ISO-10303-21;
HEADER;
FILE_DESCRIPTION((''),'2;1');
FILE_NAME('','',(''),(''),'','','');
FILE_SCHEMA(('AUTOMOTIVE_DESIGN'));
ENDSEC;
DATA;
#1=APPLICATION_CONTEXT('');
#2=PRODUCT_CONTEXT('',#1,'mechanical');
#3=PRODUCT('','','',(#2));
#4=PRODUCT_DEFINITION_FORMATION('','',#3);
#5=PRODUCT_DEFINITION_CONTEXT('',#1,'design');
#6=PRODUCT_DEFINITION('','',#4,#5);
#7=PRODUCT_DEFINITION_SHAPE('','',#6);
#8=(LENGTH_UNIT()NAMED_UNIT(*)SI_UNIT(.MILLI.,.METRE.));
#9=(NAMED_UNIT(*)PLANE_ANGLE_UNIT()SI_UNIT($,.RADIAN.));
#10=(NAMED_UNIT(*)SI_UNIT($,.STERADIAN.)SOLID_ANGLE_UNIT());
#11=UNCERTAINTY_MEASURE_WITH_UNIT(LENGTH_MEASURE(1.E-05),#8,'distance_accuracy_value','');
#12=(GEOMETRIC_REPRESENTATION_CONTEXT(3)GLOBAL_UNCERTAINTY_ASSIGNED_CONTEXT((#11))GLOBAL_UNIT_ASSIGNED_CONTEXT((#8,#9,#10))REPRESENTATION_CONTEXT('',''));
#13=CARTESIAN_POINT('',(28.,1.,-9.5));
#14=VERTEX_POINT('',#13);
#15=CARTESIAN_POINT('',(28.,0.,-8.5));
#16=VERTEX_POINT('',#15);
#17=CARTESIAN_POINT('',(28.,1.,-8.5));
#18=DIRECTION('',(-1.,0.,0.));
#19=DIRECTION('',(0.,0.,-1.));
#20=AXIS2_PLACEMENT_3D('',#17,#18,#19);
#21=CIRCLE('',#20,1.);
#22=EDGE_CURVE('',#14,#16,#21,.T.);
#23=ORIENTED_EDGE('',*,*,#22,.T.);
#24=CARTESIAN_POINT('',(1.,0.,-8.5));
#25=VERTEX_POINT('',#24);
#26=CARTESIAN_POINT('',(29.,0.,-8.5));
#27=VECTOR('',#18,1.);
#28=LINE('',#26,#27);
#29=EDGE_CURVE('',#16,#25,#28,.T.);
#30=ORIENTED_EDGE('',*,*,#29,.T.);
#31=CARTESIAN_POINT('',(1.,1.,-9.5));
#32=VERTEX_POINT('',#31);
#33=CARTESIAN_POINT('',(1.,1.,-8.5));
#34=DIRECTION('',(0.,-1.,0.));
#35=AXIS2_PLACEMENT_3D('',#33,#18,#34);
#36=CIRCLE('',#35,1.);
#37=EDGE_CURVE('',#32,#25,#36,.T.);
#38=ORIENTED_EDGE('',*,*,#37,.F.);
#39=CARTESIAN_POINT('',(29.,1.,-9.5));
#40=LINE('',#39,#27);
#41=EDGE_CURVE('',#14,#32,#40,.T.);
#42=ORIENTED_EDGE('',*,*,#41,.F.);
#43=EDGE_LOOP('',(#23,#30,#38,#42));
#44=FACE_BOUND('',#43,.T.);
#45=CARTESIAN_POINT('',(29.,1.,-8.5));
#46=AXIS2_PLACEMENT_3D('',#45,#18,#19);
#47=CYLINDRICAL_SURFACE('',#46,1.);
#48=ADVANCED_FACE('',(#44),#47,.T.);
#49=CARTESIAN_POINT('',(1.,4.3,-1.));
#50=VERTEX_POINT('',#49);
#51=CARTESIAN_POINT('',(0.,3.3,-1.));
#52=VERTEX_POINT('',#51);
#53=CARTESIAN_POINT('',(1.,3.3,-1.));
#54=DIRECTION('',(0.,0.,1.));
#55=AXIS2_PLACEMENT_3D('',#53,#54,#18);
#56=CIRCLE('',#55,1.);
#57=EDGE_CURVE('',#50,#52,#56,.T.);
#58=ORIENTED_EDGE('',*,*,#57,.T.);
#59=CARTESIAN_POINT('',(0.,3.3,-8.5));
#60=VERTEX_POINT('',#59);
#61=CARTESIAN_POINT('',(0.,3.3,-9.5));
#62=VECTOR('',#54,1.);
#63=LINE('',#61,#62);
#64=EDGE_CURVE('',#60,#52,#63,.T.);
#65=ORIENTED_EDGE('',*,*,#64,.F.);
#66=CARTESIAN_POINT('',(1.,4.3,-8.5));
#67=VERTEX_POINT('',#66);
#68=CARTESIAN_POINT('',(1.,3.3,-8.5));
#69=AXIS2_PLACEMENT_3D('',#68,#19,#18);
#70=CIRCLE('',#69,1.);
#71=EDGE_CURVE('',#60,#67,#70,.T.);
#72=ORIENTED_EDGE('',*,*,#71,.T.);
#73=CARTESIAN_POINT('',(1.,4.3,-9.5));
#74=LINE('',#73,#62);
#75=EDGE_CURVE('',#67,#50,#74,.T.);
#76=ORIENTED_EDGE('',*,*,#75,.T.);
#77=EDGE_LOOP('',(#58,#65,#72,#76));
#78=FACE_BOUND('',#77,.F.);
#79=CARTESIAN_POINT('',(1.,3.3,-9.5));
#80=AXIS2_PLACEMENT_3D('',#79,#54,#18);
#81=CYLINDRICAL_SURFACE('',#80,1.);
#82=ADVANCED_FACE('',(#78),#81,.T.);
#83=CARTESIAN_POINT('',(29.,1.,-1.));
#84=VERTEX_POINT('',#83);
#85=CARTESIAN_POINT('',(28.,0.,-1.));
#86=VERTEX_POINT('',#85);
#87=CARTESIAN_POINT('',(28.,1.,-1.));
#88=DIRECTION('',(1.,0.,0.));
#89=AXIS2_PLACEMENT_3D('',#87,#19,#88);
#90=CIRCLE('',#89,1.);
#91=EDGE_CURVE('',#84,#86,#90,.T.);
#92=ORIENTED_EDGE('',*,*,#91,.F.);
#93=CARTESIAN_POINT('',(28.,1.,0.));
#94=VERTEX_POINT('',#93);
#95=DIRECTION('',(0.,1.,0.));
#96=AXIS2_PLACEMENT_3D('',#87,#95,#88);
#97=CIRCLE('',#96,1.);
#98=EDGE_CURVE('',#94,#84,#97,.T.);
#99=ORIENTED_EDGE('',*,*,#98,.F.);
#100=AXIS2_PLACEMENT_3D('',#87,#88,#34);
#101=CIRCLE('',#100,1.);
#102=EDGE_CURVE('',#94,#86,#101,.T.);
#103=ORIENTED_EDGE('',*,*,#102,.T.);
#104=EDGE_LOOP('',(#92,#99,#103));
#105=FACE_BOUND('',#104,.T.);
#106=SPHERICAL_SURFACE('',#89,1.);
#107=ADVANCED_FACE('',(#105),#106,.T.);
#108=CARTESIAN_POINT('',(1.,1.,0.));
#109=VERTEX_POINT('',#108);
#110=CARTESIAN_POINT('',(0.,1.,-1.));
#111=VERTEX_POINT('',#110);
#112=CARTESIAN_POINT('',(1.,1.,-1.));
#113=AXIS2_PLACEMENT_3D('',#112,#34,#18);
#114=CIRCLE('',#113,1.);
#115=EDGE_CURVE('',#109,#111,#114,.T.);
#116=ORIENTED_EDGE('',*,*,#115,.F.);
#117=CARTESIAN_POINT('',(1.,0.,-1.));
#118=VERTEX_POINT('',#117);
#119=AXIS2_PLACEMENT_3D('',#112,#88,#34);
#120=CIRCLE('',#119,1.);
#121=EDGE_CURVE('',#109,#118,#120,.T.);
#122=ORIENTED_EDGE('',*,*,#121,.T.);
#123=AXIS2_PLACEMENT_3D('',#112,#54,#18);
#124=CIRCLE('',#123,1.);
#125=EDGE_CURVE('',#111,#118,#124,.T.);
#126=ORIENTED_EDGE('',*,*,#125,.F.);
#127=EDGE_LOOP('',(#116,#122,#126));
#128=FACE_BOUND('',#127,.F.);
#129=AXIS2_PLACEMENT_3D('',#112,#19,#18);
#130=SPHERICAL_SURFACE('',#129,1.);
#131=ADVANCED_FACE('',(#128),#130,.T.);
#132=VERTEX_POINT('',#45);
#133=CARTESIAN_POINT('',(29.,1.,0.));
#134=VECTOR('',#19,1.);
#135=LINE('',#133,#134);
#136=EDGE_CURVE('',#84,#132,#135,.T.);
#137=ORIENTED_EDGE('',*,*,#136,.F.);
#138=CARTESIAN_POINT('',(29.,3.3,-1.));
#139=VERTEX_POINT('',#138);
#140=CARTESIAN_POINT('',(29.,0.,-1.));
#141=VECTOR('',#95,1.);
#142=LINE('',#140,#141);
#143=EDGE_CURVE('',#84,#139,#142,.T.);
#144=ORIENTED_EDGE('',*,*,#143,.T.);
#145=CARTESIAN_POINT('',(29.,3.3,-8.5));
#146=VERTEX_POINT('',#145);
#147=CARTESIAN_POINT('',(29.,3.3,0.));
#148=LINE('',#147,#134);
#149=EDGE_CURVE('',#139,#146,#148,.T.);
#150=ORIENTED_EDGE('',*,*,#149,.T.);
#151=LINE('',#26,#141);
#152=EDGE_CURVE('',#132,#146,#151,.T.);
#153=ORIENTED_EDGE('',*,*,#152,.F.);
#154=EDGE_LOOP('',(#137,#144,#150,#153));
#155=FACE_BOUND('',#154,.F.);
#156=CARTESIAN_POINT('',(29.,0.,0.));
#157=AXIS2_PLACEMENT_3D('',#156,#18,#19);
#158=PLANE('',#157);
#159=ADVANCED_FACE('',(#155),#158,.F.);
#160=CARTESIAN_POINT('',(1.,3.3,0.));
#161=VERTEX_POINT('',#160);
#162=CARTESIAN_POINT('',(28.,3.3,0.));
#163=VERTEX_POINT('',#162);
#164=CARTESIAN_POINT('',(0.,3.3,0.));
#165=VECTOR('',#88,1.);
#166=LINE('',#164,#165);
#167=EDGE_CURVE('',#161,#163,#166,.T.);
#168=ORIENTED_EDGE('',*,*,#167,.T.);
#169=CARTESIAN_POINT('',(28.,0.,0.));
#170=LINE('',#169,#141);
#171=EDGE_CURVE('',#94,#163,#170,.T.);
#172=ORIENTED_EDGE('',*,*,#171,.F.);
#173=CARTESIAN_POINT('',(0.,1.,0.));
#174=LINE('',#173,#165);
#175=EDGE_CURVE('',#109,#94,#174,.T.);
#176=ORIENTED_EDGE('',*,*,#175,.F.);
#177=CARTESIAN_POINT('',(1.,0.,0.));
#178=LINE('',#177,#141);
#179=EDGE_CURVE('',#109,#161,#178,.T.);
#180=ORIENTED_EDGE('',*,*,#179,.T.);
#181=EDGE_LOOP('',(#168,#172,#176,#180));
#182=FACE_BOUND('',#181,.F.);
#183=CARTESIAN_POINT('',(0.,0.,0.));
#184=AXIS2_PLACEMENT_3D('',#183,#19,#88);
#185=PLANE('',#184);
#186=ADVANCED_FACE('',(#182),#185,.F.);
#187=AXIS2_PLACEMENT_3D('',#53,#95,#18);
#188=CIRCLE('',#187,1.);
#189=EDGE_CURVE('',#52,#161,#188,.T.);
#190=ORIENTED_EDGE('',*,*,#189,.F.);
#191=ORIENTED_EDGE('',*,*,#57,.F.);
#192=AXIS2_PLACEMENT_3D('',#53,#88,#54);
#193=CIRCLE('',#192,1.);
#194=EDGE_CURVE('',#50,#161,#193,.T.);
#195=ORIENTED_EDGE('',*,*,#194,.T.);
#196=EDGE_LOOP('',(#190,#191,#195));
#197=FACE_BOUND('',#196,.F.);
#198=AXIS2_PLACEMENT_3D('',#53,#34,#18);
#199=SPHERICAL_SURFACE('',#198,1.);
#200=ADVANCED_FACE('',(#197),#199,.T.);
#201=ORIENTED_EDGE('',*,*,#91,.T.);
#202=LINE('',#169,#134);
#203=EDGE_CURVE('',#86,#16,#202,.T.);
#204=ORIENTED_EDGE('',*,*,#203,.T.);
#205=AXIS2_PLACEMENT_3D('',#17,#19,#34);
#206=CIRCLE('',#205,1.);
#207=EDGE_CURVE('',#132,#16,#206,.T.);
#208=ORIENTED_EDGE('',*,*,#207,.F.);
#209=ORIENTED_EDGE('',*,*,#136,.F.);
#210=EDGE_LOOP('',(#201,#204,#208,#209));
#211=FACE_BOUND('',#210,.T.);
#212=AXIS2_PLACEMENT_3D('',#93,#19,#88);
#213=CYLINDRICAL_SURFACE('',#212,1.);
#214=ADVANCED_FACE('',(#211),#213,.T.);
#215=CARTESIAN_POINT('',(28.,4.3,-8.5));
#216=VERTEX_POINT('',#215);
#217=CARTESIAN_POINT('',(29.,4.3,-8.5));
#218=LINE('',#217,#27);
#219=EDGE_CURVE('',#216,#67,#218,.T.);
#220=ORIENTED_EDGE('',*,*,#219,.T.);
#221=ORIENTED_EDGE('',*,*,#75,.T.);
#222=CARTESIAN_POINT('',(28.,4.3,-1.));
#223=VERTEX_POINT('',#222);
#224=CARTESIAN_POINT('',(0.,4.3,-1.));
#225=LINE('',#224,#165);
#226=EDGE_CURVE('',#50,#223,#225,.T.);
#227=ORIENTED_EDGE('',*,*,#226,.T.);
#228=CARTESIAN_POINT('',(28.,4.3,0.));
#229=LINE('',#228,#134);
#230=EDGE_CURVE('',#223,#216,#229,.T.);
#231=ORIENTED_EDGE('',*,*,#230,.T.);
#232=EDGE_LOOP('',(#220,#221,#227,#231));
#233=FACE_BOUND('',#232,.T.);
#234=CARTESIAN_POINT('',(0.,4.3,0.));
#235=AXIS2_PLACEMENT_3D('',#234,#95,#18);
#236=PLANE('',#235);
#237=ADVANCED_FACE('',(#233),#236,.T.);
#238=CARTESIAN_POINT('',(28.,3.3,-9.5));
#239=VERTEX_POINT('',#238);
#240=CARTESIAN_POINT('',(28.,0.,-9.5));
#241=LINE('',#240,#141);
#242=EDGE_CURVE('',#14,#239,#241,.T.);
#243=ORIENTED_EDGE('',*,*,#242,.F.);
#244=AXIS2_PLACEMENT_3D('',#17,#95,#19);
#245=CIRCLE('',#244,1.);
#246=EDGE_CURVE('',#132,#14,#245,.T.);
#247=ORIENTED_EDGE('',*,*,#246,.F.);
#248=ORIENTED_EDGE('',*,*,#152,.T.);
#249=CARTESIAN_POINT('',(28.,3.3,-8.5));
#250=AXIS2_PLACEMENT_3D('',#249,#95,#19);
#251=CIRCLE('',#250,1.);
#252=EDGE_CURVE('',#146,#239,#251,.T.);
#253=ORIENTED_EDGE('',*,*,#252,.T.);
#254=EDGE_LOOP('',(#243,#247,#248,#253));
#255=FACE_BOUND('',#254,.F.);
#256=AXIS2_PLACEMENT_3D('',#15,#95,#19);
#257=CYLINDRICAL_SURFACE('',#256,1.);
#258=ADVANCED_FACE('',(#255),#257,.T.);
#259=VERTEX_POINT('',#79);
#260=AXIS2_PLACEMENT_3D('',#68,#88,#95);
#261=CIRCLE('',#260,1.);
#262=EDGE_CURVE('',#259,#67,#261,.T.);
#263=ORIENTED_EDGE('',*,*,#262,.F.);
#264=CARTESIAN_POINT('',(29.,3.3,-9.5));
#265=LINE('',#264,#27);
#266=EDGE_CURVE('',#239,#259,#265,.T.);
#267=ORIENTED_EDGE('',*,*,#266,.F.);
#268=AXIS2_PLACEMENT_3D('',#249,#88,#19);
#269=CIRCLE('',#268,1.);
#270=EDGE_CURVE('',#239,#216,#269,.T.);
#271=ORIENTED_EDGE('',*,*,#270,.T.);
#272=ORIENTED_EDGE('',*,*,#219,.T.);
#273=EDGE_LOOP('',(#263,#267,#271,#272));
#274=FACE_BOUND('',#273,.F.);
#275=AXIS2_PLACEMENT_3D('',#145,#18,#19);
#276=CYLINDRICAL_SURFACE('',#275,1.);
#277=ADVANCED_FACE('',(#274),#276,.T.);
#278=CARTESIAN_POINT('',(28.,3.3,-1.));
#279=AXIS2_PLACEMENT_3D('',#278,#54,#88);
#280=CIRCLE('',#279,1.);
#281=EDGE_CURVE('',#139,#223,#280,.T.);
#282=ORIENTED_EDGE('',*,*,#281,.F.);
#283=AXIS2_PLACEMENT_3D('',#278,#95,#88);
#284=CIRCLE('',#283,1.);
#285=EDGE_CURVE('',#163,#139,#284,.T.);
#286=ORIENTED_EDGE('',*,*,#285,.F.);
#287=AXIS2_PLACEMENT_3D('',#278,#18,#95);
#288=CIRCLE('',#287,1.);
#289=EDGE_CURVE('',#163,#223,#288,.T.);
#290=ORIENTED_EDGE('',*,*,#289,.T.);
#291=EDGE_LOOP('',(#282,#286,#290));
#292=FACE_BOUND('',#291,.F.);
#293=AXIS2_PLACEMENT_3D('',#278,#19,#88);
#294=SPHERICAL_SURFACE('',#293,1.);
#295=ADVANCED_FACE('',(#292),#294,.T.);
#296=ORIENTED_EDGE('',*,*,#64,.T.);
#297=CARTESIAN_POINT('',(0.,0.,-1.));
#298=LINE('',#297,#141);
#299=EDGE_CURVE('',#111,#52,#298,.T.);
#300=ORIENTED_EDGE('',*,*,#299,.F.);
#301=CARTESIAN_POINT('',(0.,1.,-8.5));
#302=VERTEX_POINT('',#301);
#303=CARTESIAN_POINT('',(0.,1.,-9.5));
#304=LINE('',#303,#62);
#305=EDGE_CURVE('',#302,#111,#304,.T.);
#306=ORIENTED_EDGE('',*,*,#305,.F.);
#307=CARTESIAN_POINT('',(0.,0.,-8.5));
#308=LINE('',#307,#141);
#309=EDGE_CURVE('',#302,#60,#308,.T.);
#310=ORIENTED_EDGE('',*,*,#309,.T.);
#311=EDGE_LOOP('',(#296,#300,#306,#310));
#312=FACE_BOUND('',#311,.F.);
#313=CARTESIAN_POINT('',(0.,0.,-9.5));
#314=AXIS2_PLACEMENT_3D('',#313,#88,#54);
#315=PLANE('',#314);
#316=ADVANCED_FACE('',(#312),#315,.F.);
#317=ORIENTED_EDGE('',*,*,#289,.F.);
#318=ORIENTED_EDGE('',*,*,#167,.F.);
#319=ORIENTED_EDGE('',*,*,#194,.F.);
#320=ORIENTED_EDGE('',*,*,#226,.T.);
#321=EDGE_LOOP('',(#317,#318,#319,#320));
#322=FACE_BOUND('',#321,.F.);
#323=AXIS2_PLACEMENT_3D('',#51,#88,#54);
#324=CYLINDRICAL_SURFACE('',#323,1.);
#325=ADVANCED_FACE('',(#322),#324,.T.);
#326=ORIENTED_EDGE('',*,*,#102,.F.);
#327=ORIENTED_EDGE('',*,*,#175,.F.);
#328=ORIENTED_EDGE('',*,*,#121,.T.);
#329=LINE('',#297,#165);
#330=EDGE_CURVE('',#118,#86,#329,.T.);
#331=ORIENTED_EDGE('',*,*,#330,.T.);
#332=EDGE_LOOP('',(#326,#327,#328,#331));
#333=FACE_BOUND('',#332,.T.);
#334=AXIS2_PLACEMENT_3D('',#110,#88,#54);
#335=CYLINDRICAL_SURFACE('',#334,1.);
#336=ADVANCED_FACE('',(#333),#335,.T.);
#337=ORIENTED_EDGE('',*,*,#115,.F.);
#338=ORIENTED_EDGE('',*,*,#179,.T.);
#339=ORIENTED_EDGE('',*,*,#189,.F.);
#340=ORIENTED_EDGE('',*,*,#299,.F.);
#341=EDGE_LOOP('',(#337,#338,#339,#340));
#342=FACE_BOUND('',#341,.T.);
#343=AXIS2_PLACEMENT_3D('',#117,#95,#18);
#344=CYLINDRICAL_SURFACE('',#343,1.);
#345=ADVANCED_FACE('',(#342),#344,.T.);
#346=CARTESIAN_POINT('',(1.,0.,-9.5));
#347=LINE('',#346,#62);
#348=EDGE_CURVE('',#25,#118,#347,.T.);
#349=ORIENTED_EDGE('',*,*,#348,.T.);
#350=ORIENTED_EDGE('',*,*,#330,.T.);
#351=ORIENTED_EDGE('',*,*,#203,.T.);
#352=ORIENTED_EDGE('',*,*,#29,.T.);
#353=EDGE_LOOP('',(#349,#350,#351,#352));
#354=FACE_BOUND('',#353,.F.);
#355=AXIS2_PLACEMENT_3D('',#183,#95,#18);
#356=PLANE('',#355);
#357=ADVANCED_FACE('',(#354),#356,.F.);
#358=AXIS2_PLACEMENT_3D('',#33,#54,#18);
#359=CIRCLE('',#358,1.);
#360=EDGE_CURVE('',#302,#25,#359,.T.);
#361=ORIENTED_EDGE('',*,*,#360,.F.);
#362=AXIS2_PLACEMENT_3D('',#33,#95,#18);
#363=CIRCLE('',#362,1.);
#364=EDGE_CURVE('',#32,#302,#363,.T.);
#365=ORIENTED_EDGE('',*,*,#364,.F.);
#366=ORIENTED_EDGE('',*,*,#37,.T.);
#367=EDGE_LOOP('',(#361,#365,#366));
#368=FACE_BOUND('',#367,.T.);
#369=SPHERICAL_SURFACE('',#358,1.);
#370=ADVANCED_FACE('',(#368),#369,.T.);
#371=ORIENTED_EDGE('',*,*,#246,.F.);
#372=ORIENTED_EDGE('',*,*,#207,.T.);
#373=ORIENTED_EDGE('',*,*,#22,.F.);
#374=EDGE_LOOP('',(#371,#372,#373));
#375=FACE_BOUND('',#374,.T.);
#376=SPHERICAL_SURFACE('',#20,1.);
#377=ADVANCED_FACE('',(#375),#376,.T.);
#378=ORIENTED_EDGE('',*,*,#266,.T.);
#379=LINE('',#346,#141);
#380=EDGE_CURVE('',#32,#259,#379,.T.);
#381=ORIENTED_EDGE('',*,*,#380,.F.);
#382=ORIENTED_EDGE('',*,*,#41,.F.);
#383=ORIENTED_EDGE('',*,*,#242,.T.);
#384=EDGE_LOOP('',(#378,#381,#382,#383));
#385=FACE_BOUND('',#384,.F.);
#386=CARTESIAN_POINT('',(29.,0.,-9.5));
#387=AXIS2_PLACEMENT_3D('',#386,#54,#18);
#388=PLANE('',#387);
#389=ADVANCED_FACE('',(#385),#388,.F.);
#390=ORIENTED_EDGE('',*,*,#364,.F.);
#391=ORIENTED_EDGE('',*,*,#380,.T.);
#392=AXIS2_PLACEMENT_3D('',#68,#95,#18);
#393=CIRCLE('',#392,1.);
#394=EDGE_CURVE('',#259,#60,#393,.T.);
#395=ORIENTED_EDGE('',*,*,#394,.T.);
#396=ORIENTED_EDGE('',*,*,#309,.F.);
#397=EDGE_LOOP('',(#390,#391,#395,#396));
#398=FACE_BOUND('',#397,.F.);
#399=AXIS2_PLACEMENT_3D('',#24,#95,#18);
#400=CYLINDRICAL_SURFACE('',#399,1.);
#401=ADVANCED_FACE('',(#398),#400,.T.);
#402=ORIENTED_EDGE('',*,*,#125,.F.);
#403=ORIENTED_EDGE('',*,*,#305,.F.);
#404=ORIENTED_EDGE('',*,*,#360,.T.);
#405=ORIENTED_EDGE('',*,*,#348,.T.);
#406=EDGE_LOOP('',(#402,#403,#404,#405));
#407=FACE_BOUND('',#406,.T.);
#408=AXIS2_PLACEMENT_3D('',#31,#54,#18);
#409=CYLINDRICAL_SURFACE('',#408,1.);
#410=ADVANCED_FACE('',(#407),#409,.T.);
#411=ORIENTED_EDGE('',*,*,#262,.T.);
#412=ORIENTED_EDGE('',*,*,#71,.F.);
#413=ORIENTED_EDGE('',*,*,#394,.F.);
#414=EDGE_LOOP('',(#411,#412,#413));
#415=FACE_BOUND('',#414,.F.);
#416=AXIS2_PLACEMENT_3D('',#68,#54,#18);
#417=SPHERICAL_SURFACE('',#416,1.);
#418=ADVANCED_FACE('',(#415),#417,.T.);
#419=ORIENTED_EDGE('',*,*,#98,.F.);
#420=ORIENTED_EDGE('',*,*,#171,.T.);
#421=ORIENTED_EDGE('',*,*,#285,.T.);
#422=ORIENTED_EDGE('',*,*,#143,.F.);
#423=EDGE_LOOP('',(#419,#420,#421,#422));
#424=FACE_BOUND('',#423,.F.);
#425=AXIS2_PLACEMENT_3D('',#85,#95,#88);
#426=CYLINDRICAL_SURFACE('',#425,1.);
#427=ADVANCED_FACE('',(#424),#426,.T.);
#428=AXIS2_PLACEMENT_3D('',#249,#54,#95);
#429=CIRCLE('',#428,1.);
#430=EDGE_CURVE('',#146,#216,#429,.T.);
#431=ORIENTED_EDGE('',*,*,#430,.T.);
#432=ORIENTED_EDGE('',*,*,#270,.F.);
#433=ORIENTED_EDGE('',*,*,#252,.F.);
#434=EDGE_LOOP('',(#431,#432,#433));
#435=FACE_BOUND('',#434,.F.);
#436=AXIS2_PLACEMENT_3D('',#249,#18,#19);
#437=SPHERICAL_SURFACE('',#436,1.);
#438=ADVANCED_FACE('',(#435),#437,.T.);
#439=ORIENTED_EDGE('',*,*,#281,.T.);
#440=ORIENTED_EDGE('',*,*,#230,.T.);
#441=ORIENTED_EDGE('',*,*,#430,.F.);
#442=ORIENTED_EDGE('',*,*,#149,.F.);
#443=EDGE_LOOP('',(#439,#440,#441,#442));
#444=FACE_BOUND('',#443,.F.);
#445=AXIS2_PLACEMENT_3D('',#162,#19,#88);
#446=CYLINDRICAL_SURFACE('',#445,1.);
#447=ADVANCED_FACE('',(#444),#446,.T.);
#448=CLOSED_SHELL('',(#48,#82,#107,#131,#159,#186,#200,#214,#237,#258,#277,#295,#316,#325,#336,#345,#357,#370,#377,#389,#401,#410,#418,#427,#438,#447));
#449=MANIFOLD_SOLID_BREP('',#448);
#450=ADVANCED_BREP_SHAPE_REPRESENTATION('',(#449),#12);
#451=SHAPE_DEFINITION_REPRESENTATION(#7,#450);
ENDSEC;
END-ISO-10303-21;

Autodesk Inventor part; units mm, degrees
ref_plane "YZ Plane" through (0, 0, 0) normal (1, 0, 0) x (0, 1, 0)
ref_plane "XZ Plane" through (0, 0, 0) normal (0, 1, 0) x (-1, 0, 0)
ref_plane "XY Plane" through (0, 0, 0) normal (0, 0, 1) x (1, 0, 0)
sketch "Sketch1" plane through (0, 0, 0) normal (0, 1, 0) x (-1, 0, 0)
  line L0 (0, 0) -> (-29, 0)
  line L1 (-29, 0) -> (-29, -9.5)
  line L2 (-29, -9.5) -> (0, -9.5)
  line L3 (0, -9.5) -> (0, 0)
  dimension "d0" = 29
  dimension "d1" = 9.5
extrude "Extrusion1" add sketch "Sketch1" along normal blind 4.3
fillet "Fillet1" radius 1 12 edges at (0, 0, -4.75) (0, 2.15, 0) (0, 4.3, -4.75) (0, 2.15, -9.5) (14.5, 0, -9.5) (14.5, 4.3, -9.5) (29, 2.15, -9.5) (29, 0, -4.75) (29, 4.3, -4.75) (29, 2.15, 0) (14.5, 0, 0) (14.5, 4.3, 0)
properties part number "Magnet3010" material "Stainless Steel"
